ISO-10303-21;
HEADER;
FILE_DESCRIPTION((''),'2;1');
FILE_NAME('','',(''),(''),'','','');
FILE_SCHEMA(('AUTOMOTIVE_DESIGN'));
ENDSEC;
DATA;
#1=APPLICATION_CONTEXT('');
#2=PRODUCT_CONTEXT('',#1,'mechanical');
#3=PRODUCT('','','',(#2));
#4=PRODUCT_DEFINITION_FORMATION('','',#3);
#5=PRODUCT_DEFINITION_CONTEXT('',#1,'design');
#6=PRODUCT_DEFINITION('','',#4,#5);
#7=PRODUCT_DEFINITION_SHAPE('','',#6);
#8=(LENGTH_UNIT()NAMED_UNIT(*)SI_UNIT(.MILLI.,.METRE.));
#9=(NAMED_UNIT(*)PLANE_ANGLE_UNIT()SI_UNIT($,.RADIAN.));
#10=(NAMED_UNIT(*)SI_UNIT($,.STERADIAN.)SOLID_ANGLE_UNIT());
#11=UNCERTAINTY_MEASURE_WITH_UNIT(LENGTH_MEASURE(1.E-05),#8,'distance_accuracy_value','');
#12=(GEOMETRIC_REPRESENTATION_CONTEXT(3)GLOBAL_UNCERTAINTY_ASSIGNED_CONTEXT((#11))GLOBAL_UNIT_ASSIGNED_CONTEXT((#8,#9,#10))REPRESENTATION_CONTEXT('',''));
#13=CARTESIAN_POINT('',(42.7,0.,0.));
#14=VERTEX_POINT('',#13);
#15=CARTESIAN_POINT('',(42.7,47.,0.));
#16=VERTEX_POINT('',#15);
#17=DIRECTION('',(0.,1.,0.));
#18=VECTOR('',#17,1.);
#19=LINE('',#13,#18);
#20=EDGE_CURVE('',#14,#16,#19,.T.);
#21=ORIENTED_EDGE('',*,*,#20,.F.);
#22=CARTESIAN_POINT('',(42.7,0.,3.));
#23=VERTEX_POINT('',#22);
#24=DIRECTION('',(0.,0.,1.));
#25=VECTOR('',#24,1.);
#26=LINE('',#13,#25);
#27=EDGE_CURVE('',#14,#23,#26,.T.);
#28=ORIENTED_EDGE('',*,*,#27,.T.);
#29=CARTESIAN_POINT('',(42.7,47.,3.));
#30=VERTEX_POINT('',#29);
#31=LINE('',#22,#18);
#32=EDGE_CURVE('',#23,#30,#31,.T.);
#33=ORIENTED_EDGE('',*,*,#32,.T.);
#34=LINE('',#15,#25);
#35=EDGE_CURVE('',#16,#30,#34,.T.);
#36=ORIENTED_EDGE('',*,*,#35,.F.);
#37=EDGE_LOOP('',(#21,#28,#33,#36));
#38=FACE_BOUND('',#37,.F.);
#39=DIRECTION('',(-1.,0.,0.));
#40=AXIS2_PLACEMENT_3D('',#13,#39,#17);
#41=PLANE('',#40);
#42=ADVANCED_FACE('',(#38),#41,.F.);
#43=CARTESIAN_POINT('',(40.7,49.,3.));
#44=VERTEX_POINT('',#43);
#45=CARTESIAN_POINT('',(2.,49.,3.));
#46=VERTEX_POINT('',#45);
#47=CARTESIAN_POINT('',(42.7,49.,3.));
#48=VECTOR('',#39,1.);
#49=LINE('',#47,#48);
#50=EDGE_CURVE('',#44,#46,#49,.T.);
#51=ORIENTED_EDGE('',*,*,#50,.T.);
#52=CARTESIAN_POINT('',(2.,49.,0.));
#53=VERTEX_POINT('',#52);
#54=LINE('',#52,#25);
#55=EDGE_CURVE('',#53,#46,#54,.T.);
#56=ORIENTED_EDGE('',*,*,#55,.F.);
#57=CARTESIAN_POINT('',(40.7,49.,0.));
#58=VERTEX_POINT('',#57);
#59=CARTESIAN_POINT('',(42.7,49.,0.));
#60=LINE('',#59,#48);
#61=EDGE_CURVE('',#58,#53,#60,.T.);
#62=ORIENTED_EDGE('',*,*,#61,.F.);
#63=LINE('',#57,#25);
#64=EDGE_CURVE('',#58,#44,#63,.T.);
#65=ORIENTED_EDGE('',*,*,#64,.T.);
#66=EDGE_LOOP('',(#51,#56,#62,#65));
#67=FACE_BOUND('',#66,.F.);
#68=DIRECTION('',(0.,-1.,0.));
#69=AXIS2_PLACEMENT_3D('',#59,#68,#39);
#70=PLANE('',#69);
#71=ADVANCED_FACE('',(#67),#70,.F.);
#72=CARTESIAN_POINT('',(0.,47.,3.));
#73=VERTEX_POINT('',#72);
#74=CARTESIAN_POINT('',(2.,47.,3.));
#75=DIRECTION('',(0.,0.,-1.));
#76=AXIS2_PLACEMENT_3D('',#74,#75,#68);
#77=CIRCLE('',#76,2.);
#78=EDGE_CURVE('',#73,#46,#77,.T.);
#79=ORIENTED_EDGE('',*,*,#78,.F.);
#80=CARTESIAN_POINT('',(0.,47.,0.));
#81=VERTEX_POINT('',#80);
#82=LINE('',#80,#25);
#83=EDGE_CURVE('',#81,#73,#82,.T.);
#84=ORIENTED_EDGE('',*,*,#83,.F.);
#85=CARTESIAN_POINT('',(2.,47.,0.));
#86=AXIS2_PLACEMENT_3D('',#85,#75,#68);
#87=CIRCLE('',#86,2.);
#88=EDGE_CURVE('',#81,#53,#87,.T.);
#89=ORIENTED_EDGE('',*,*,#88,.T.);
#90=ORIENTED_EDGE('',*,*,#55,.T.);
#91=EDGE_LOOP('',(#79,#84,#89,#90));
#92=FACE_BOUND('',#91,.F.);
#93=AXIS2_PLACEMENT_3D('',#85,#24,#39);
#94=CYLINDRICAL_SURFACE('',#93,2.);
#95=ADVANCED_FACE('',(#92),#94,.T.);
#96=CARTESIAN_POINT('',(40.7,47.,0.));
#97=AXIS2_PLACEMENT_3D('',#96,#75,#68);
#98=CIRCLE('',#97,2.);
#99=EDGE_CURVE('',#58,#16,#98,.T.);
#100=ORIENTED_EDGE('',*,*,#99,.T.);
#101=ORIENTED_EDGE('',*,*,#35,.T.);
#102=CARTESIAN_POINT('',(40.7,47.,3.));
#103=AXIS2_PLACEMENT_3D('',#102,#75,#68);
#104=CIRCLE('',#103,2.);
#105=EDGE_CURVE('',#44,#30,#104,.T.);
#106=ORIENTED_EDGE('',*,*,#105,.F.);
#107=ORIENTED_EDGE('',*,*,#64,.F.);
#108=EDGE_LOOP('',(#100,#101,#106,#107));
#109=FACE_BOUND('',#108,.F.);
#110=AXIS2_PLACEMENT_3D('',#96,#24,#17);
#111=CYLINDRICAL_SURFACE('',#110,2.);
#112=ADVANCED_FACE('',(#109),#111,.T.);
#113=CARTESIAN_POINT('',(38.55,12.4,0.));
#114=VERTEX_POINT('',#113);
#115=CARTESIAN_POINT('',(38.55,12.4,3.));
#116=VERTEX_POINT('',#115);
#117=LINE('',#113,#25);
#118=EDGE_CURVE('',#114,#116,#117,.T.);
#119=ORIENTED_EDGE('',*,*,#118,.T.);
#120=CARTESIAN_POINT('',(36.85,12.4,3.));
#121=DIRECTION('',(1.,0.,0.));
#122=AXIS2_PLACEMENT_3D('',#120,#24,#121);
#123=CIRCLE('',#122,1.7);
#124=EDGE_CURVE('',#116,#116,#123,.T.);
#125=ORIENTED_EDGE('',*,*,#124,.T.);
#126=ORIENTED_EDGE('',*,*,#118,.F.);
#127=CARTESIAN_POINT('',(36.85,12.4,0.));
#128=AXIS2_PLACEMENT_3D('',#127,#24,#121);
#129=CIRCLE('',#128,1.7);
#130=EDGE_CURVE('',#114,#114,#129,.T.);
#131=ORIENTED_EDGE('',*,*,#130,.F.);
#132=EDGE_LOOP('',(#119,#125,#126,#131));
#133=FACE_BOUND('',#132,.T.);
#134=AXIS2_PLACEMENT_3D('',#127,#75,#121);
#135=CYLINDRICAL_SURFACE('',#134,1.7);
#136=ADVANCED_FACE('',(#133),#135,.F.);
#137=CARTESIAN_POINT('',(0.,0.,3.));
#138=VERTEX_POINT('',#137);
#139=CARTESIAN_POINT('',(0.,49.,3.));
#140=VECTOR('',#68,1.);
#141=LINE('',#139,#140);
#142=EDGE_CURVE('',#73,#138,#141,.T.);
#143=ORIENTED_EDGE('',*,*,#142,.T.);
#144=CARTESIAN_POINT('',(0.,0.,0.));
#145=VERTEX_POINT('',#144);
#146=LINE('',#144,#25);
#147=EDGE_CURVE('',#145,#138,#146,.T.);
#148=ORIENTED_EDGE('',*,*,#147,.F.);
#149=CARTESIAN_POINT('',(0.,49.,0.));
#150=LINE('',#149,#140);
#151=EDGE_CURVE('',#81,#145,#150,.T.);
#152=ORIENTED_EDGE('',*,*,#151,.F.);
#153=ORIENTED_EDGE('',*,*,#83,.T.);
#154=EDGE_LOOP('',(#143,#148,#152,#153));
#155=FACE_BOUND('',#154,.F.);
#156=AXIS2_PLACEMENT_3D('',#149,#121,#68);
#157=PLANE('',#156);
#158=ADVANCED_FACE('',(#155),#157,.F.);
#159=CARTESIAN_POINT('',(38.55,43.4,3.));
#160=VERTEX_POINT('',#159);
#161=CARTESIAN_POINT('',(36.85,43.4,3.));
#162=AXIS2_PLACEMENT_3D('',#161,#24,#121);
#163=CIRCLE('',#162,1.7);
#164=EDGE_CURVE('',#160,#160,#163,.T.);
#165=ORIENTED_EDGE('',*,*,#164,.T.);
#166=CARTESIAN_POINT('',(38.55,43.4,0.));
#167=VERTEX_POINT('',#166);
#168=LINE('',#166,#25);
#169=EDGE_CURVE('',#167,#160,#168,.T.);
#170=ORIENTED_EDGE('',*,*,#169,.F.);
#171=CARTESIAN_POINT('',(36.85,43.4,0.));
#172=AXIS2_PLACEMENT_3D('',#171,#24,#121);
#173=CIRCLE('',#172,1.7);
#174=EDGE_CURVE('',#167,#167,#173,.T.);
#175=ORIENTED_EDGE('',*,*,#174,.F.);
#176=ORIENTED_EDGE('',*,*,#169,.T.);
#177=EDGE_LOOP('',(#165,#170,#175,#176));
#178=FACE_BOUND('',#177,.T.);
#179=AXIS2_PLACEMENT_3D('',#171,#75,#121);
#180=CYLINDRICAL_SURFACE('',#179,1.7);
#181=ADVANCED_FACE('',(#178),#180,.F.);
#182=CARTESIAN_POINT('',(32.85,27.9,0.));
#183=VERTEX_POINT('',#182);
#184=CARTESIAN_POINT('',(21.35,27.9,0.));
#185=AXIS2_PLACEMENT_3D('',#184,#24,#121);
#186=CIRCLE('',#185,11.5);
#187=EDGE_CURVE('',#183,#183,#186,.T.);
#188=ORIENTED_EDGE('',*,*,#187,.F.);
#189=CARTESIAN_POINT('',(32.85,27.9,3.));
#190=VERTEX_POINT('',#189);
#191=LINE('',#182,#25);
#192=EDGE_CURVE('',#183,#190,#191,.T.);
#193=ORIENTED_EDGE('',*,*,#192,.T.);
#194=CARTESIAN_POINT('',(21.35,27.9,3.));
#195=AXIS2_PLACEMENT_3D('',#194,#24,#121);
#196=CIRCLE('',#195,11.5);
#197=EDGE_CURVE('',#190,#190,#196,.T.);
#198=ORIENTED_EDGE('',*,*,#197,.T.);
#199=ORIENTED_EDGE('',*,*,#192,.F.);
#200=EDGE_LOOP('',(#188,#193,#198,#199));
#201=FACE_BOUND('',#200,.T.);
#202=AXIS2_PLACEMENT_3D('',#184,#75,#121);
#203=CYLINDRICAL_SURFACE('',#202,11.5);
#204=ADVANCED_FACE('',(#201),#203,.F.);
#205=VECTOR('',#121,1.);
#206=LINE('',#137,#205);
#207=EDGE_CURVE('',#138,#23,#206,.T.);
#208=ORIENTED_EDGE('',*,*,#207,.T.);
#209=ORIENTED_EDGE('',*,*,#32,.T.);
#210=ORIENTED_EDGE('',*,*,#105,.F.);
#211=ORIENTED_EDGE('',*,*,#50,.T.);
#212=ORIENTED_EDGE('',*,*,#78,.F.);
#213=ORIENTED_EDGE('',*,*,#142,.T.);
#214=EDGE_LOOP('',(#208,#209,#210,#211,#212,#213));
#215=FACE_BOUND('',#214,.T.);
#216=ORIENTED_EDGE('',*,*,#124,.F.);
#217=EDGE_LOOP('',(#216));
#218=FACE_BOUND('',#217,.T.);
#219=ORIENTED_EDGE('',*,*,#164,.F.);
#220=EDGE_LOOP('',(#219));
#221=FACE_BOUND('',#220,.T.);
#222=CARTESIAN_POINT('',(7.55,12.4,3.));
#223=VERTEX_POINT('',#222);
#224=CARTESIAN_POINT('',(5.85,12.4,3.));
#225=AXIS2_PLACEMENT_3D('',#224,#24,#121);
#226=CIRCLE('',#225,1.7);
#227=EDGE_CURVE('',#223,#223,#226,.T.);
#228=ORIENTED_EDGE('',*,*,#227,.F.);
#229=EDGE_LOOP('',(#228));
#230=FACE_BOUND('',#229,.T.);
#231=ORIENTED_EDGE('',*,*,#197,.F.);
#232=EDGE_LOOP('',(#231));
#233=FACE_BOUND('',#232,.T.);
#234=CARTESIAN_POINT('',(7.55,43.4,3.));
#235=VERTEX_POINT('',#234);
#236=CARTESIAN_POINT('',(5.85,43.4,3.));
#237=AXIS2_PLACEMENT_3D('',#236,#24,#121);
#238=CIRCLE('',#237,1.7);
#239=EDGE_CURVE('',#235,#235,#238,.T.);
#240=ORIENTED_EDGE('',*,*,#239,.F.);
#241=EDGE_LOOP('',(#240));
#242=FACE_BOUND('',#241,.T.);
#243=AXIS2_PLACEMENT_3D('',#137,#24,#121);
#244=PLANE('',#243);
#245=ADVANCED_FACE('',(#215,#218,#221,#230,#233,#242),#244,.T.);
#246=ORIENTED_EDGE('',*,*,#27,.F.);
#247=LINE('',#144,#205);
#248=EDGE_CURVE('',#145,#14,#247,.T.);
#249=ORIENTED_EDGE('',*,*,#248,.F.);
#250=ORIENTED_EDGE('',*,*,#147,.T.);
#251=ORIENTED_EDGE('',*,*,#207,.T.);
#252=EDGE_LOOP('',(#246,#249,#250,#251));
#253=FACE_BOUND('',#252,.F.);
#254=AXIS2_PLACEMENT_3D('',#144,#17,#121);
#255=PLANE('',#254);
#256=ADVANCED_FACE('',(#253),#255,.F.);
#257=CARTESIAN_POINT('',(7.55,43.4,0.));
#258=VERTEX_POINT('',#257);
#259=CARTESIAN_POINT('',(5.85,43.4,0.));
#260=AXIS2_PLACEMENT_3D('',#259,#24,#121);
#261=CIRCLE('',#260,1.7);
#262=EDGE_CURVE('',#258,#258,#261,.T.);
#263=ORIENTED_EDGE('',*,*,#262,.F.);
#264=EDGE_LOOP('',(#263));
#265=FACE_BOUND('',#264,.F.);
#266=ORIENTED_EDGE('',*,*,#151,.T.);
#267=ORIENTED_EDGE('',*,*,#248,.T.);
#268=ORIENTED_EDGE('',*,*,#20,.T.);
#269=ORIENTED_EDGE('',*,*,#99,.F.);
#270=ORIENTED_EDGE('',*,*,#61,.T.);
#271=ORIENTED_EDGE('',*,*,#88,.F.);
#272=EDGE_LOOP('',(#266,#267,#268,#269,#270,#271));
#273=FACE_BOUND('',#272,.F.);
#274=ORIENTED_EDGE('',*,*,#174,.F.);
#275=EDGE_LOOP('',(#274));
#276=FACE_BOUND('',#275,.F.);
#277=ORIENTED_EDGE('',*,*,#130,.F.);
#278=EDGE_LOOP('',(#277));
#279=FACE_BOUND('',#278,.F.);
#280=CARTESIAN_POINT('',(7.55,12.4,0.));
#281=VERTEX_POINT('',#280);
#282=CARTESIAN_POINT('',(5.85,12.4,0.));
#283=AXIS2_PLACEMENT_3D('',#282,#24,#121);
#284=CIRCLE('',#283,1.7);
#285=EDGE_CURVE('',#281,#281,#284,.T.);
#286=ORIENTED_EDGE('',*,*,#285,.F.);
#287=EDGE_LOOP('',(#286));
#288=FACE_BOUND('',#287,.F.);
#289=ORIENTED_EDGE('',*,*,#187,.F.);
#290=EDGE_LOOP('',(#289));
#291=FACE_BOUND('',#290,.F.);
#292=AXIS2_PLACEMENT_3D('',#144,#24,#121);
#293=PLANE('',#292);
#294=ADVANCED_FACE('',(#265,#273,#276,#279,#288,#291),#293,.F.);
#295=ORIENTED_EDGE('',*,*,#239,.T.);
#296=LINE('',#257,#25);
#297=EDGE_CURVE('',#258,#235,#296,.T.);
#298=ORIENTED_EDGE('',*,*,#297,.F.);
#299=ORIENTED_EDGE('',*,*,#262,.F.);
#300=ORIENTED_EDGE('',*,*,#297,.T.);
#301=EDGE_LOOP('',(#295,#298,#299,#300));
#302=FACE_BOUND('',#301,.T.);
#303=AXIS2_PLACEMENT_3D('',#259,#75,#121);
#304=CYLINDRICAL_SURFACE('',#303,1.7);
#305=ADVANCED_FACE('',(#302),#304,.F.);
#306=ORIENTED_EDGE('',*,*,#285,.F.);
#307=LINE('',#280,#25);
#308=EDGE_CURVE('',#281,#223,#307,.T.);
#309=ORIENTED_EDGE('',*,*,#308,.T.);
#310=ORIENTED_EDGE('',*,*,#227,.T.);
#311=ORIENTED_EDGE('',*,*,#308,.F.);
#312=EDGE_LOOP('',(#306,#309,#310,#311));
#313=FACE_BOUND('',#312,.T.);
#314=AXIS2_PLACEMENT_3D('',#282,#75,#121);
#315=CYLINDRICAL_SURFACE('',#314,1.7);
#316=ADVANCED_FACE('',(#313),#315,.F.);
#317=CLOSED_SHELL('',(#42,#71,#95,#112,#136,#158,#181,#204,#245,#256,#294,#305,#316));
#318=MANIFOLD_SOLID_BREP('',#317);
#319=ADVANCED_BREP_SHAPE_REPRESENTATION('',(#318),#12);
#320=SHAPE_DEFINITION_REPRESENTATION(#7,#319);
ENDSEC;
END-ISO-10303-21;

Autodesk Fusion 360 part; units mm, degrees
sketch "Sketch1" plane through (0, 0, 0) normal (0, 0, 1) x (1, 0, 0)
  line L0 (0, 0) -> (42.7, 0)
  line L1 (42.7, 0) -> (42.7, 49)
  line L2 (42.7, 49) -> (0, 49)
  line L3 (0, 49) -> (0, 0)
  circle A0 centre (21.35, 27.9) radius 11.5
  circle A1 centre (5.85, 43.4) radius 1.7
  line L4 (21.35, 49) -> (21.35, 0) construction
  circle A2 centre (5.85, 12.4) radius 1.7
  circle A3 centre (36.85, 43.4) radius 1.7
  circle A4 centre (36.85, 12.4) radius 1.7
  dimension "d1" = 49
  dimension "d2" = 42.7
  dimension "d3" = 9.6
  dimension "d4" = 15.5
  dimension "d5" = 15.5
  dimension "d6" = 3.4
  dimension "d9" = 31
  dimension "d10" = 31
  dimension "d11" = 23
extrude "Extrude1" add sketch "Sketch1" along normal blind 3
fillet "Fillet1" radius 2 2 edges at (0, 49, 1.5) (42.7, 49, 1.5)
